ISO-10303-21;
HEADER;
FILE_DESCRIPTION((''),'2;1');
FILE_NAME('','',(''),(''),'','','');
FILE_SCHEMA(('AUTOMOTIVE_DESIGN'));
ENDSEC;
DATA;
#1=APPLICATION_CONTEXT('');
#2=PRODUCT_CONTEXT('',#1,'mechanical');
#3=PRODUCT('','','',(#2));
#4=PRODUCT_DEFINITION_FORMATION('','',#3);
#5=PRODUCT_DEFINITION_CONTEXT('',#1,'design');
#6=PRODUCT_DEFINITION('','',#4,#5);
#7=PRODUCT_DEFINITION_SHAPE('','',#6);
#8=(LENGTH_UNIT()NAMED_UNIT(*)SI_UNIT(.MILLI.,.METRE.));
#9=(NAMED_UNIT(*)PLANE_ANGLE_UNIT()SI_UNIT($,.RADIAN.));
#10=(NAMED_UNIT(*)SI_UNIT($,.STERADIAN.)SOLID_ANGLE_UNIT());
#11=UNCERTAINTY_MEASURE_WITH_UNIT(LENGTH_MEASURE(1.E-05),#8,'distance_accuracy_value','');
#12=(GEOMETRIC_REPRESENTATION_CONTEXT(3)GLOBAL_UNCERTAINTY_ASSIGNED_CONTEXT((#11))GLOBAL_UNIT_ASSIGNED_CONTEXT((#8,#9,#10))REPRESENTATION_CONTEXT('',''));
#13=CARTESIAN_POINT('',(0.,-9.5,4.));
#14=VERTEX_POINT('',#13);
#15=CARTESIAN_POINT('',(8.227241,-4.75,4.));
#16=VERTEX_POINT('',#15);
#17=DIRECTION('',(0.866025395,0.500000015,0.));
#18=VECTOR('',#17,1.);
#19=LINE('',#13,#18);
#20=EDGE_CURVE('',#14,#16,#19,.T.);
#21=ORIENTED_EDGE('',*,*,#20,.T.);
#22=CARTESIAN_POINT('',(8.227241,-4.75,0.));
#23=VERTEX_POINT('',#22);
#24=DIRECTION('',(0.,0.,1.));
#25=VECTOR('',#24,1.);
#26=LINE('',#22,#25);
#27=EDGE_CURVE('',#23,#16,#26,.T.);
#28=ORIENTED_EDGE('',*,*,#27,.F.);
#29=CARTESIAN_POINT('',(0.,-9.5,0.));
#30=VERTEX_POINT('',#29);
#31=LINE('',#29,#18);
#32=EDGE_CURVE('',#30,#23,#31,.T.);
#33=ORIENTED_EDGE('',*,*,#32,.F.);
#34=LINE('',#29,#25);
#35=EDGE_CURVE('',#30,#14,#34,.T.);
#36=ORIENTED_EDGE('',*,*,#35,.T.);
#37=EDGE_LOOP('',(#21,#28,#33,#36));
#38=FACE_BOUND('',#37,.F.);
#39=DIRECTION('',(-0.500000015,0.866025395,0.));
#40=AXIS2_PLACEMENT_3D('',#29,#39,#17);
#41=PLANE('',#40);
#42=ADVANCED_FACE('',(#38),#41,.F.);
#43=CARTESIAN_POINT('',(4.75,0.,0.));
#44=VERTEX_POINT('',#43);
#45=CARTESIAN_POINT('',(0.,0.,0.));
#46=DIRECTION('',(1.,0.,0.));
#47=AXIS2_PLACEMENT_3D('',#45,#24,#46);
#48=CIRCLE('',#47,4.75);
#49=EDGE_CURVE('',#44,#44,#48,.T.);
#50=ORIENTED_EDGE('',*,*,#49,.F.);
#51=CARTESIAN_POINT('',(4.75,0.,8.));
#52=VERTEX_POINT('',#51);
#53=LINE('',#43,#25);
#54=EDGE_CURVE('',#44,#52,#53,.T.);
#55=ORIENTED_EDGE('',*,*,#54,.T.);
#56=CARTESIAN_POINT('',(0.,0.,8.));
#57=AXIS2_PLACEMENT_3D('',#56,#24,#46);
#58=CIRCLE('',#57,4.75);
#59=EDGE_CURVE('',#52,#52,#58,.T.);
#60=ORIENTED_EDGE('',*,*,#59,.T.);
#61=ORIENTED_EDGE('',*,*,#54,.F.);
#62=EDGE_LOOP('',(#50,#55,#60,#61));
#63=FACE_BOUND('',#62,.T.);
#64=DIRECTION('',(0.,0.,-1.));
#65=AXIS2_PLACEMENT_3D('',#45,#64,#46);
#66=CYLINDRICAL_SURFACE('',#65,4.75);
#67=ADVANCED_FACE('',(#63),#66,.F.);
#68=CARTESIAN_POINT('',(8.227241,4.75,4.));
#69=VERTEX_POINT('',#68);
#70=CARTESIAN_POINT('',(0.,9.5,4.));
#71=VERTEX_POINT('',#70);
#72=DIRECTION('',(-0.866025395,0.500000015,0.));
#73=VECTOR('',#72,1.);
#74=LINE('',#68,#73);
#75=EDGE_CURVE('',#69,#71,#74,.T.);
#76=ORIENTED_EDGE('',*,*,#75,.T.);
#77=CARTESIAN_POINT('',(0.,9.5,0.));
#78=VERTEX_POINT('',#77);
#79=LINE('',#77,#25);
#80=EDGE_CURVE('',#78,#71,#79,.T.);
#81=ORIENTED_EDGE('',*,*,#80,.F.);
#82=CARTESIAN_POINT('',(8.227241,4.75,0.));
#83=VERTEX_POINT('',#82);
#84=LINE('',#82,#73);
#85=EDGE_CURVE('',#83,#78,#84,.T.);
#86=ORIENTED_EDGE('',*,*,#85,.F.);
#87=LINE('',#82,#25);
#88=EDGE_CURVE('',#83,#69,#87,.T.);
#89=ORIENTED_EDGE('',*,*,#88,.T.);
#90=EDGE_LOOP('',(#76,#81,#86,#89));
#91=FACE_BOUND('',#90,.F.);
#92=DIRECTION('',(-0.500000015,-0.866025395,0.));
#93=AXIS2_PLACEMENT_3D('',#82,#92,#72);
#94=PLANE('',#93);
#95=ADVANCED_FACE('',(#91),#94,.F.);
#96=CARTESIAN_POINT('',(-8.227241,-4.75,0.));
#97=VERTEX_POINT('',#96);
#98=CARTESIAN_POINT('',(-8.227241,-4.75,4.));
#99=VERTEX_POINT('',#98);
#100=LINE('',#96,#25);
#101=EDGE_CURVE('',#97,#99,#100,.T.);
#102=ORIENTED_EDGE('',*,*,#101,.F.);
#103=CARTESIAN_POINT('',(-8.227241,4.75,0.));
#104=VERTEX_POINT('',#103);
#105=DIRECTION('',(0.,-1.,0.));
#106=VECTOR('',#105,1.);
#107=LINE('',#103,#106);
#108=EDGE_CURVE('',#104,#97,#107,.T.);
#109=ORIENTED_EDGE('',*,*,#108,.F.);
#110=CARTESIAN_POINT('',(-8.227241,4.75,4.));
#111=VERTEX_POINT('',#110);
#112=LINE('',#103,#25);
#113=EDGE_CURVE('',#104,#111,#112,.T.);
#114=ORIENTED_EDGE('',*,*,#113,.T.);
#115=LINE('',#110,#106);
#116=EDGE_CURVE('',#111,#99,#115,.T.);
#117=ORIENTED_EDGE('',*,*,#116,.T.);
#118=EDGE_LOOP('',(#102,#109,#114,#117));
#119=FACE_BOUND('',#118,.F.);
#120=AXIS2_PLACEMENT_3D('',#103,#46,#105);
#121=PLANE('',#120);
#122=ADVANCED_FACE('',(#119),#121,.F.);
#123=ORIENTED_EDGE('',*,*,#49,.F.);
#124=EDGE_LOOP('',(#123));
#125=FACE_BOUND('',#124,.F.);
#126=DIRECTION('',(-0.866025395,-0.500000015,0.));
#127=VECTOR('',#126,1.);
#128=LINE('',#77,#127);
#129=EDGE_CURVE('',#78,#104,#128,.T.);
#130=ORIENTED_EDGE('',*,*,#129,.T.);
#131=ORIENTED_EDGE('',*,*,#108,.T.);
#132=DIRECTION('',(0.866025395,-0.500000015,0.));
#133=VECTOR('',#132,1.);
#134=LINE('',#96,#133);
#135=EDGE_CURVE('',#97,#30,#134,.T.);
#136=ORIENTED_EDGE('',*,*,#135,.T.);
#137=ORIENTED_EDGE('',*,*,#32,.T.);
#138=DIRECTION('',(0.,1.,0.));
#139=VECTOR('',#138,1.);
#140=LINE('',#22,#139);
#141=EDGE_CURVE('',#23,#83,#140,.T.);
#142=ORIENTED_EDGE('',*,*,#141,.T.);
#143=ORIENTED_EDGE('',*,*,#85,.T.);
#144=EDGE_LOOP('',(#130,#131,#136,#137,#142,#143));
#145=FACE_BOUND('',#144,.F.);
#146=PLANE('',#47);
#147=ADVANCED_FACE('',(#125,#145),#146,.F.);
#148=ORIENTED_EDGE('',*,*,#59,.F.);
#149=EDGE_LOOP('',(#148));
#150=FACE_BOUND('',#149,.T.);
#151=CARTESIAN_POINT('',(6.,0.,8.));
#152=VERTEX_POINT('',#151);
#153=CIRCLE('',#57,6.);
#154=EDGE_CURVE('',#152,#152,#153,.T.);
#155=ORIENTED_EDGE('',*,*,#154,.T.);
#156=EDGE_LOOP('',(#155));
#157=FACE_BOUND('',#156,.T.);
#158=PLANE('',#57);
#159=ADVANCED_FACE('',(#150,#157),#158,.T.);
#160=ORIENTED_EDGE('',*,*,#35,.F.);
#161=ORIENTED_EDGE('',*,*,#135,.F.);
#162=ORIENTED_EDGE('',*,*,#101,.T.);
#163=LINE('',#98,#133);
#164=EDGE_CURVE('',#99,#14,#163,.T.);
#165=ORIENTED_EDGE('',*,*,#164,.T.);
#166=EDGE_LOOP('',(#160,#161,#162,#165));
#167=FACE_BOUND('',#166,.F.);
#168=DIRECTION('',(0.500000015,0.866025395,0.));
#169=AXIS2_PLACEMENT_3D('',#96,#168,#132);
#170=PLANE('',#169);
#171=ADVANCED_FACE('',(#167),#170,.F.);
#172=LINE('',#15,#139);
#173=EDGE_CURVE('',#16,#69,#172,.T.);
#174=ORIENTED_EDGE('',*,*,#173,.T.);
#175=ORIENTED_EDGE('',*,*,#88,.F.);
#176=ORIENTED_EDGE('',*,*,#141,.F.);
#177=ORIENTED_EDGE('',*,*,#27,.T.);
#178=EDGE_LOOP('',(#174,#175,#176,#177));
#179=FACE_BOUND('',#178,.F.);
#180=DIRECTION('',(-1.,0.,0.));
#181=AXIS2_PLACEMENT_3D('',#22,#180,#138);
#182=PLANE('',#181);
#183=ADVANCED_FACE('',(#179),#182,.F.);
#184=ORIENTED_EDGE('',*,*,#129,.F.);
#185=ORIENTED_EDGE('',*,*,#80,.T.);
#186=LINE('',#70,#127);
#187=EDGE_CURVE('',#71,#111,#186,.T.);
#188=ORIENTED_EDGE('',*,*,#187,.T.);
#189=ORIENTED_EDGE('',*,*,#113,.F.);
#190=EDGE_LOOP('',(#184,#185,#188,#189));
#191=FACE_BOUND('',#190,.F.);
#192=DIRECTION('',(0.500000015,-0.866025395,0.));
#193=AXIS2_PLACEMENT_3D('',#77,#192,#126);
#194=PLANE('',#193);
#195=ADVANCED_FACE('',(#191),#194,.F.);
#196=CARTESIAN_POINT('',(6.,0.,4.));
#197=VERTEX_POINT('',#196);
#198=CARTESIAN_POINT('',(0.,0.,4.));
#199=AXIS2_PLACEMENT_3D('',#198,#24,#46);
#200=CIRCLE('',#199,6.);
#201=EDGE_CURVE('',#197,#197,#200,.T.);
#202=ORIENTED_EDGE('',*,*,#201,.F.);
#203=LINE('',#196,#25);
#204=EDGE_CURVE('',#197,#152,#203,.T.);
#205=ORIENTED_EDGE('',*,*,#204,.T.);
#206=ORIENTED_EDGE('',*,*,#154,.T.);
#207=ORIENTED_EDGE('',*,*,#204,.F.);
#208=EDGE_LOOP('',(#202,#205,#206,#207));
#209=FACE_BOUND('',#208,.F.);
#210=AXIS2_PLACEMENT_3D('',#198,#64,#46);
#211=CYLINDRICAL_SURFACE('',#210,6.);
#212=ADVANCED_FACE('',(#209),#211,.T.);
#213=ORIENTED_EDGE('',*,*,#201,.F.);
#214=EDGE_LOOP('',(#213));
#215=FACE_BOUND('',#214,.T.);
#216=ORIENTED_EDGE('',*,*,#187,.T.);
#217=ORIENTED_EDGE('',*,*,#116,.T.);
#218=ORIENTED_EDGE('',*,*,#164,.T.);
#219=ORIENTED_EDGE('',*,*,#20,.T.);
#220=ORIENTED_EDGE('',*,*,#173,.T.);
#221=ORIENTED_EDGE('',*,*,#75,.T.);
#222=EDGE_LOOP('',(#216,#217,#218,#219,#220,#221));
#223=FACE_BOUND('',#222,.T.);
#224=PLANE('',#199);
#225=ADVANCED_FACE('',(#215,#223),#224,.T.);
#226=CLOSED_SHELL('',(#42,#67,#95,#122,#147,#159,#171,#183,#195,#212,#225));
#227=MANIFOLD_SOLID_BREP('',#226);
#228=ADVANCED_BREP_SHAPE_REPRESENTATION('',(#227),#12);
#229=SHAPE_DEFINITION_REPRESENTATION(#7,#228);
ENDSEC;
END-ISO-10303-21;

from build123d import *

# Parameters (mm, degrees)
SKETCH003_R  = 4.75
PAD002_DEPTH = 8
PAD001_DEPTH = 4
SKETCH_R     = 6
PAD_DEPTH    = 4


with BuildPart() as trou:
    # Sketch003 → Pad002 (new body)
    with BuildSketch(Plane.XY):
        Circle(SKETCH003_R)
    extrude(amount=PAD002_DEPTH)


with BuildPart() as cylindre:
    # Sketch002 → Pad001 (new body)
    with BuildSketch(Plane.XY):
        Polygon((8.227241, 4.75), (0, 9.5), (-8.227241, 4.75), (-8.227241, -4.75), (0, -9.5), (8.227241, -4.75), align=None)
    extrude(amount=PAD001_DEPTH)


with BuildPart() as cut:
    # Sketch → Pad (new body)
    with BuildSketch(Plane.XY.offset(4)):
        Circle(SKETCH_R)
    extrude(amount=PAD_DEPTH)

    # Fusion: union cylindre
    add(cylindre.part)

    # Cut: cut trou
    add(trou.part, mode=Mode.SUBTRACT)


solid = cut.part
